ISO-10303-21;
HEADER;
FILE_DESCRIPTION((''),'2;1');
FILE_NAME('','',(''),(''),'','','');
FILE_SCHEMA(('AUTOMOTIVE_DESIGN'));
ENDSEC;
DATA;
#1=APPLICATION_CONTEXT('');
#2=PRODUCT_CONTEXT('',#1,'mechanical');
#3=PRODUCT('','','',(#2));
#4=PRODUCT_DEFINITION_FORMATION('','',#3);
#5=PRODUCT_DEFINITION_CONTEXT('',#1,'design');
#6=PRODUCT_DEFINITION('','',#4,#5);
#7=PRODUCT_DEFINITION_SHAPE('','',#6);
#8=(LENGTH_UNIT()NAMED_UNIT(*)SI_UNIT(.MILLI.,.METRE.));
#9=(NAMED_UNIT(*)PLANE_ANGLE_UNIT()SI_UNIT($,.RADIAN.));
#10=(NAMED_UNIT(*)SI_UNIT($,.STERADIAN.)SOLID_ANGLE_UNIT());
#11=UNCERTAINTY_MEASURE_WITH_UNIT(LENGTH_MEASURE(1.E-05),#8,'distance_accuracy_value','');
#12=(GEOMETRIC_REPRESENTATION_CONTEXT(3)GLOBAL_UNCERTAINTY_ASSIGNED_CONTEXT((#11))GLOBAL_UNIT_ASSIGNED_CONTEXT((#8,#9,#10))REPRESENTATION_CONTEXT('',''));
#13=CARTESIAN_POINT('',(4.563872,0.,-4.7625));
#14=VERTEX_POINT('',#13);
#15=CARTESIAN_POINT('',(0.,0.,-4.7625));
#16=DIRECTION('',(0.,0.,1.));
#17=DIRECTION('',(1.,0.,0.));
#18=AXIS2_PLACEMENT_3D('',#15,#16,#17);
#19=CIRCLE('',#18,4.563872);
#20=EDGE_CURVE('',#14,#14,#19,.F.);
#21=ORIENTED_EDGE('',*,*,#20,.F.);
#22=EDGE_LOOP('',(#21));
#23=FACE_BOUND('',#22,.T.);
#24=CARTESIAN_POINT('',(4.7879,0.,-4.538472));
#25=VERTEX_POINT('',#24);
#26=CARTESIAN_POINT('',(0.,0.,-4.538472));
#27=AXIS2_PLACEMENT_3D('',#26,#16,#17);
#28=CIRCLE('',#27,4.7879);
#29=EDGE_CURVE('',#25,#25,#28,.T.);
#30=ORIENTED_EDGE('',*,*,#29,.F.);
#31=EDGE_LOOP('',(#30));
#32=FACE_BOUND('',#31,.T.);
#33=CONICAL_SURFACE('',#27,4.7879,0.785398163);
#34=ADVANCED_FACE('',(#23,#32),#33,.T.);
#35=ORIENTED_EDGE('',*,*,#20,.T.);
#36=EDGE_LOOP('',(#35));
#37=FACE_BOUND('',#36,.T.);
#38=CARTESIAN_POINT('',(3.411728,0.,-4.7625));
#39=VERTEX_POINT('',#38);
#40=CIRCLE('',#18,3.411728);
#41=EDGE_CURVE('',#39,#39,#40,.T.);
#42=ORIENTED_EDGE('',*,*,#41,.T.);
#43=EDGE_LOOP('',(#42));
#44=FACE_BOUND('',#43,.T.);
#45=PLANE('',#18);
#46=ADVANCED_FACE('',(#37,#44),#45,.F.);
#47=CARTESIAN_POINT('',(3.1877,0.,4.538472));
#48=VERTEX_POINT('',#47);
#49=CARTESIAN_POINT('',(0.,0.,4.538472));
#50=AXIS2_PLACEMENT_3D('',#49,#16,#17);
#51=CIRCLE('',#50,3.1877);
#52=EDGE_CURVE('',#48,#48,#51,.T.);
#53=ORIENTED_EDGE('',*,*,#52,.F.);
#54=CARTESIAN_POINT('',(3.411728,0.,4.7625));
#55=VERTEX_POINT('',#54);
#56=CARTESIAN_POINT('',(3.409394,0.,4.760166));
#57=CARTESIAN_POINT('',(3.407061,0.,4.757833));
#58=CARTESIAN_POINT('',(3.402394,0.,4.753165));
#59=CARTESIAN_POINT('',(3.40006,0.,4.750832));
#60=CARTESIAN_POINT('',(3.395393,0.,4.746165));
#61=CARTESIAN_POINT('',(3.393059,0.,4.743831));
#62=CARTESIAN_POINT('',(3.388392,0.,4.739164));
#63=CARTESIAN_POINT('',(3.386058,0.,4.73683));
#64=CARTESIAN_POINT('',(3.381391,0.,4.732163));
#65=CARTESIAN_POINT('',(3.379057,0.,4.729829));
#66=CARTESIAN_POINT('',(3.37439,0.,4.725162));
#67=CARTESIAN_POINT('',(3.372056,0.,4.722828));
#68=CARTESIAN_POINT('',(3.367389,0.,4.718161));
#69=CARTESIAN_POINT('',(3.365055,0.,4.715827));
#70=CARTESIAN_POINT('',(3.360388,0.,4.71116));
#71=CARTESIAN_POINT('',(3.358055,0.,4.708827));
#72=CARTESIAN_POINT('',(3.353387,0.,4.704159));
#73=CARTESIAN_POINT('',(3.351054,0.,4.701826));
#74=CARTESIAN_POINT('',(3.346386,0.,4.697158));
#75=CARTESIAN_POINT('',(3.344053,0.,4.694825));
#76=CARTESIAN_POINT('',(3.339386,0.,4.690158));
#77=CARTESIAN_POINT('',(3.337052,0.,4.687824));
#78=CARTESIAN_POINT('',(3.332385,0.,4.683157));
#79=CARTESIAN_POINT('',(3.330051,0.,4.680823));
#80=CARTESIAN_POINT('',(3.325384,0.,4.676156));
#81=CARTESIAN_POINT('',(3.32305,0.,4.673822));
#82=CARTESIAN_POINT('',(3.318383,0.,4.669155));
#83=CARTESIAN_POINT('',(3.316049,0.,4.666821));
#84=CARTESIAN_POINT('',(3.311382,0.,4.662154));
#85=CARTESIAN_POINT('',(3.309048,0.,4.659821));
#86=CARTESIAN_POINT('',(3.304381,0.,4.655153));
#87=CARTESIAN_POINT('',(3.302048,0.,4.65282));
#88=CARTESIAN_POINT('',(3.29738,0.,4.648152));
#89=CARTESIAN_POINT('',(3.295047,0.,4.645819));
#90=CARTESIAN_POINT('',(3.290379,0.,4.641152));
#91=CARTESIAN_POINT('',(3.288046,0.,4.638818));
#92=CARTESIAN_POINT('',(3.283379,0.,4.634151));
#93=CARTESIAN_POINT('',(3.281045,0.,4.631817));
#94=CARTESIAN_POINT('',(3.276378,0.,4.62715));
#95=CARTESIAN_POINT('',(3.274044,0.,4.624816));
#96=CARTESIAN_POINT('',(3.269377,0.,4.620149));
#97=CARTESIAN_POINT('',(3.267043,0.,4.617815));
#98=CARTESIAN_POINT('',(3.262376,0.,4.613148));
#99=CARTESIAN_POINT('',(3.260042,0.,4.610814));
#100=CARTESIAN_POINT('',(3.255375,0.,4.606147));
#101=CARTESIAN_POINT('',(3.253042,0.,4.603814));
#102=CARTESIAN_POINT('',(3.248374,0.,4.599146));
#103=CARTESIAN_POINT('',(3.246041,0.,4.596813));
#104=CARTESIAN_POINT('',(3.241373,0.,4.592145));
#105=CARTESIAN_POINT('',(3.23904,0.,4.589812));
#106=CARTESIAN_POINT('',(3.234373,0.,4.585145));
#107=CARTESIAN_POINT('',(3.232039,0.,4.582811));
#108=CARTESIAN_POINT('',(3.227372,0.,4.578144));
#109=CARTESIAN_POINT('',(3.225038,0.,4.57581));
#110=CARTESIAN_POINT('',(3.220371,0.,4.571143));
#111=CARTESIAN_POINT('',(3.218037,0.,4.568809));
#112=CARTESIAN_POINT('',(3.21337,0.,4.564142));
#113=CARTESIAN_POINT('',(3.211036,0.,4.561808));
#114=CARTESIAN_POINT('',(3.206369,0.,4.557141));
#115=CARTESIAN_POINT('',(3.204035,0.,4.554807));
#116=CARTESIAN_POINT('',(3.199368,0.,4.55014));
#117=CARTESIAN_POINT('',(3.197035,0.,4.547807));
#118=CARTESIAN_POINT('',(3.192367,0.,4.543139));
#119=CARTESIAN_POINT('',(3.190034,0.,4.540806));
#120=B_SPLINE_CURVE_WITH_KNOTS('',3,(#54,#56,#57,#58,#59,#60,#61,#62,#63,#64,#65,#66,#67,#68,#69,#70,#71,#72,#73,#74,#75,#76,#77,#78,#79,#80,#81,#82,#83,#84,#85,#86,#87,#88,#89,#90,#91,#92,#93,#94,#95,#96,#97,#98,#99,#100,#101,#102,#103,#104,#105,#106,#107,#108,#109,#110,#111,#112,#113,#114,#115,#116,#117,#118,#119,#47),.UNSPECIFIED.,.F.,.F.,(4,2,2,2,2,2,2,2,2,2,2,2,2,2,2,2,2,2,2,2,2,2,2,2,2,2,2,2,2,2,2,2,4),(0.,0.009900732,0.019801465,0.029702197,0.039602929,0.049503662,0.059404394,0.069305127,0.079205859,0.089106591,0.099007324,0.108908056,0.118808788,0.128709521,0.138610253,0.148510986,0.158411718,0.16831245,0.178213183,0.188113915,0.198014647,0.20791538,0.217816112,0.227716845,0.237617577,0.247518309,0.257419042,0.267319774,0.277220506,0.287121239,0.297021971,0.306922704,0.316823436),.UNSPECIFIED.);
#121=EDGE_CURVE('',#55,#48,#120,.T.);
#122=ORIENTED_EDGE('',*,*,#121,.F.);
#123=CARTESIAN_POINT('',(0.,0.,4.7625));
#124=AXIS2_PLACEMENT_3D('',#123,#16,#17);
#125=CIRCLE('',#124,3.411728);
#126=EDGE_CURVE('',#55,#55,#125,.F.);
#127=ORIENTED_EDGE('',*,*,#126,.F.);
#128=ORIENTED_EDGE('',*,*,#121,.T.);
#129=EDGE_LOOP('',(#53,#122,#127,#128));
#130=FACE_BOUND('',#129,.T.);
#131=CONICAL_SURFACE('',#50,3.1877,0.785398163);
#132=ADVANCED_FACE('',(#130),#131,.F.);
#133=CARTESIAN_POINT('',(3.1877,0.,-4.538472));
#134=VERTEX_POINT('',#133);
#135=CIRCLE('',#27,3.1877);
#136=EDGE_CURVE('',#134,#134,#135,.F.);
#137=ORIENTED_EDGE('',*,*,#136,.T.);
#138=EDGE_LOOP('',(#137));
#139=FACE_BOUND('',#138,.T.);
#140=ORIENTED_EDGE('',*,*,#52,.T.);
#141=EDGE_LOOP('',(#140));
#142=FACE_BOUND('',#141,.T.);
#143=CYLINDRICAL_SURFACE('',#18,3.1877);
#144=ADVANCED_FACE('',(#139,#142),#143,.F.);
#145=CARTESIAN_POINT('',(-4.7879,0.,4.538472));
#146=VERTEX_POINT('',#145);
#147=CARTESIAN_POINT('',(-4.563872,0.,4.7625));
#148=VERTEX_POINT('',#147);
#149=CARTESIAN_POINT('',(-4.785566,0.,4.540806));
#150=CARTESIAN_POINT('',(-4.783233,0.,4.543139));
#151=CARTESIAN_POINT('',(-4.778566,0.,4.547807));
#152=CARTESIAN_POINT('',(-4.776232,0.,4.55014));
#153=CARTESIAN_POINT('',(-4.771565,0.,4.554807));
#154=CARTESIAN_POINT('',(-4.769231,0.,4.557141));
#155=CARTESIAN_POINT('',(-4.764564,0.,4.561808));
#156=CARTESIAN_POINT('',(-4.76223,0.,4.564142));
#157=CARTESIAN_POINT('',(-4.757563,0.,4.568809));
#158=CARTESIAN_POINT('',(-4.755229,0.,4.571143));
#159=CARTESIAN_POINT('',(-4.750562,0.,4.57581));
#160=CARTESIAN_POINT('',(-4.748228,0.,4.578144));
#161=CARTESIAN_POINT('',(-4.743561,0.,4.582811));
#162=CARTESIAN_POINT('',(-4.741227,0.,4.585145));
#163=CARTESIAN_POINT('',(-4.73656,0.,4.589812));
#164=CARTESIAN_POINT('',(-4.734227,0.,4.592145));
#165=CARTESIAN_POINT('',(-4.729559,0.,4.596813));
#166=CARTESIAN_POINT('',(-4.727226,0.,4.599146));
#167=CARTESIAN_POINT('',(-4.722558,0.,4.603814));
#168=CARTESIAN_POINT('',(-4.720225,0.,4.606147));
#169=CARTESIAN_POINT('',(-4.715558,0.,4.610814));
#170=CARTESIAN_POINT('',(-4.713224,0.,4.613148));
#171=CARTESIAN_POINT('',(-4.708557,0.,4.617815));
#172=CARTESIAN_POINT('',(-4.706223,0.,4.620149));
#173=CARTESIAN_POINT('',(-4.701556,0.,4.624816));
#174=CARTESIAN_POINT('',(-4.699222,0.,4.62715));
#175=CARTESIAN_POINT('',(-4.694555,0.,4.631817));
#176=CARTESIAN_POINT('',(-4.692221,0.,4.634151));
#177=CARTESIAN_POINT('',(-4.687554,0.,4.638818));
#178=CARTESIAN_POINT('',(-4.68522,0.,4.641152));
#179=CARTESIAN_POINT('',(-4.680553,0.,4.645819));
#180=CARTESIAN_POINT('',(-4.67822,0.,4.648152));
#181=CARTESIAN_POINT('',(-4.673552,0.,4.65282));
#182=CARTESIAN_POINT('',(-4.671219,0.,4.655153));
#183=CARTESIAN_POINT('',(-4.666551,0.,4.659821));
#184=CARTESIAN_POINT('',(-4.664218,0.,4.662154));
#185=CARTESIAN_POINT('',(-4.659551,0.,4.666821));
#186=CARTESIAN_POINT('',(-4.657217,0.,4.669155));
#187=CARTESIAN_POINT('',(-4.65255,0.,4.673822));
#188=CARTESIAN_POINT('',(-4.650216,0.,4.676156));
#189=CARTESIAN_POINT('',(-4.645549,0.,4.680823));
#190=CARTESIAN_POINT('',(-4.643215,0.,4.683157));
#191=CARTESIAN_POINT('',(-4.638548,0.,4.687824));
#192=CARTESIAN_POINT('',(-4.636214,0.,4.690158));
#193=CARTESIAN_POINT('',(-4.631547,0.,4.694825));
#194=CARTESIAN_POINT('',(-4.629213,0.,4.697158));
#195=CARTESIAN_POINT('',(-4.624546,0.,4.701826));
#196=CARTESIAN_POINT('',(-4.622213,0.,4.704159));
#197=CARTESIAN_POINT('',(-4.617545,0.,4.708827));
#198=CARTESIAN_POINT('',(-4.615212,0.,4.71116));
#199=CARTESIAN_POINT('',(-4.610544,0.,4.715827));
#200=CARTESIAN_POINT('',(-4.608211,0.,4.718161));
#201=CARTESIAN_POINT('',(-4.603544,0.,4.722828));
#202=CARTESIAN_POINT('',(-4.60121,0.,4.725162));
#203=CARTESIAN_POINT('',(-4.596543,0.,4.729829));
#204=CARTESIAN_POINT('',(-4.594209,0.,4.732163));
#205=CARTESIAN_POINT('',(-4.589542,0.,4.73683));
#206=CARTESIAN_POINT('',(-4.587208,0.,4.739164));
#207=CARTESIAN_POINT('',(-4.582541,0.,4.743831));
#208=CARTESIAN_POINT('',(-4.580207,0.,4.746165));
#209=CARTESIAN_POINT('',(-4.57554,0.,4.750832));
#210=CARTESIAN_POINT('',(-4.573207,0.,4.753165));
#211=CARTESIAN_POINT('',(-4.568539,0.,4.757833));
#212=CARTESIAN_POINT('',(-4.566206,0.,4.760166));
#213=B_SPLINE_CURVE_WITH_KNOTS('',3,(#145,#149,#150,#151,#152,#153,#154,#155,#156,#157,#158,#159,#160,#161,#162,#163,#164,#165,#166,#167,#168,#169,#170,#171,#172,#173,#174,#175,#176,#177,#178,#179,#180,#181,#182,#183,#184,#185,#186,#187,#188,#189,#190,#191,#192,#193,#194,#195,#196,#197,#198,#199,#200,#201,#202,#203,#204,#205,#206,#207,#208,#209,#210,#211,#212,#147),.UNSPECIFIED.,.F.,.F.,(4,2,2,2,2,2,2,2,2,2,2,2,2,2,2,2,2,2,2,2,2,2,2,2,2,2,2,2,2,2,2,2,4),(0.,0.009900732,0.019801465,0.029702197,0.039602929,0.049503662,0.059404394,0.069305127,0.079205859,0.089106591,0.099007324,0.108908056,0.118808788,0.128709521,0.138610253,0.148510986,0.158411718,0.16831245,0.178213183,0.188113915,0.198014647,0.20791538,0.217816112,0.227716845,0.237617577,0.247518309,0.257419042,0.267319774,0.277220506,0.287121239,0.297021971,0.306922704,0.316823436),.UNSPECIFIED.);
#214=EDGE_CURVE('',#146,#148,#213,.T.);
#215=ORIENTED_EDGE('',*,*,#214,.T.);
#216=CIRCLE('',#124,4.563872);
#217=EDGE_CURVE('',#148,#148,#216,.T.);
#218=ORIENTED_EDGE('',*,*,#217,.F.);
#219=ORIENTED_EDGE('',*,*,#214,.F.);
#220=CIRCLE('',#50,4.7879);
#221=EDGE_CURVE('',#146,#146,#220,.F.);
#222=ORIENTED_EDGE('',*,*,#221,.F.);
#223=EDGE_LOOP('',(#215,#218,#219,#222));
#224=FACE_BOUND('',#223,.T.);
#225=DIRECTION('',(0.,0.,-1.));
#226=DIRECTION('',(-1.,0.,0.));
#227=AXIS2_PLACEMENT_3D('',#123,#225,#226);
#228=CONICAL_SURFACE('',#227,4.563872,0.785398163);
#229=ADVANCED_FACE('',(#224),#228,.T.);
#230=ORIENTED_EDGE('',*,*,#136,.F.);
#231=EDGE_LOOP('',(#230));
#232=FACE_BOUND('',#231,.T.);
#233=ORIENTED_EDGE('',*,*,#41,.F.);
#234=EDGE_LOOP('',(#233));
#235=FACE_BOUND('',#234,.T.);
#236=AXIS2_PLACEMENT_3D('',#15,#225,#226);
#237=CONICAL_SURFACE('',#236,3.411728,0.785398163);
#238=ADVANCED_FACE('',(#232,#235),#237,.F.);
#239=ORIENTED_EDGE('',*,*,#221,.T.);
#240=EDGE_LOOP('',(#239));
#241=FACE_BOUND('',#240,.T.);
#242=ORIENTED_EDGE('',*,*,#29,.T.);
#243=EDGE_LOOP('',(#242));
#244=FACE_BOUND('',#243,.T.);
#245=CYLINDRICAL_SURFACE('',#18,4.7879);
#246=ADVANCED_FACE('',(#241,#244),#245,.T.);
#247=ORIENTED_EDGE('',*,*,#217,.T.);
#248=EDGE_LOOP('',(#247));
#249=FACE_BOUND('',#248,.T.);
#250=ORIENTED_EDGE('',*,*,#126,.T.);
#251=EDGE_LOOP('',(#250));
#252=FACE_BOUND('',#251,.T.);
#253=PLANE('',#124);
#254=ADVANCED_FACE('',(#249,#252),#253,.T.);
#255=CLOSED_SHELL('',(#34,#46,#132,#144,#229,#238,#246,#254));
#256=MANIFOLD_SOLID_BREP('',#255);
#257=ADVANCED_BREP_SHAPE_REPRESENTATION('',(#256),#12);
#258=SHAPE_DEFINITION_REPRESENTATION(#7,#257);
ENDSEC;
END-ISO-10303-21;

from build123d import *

# Parameters (mm, degrees)
BOSS_EXTRUDE1_DEPTH      = 4.7625
BOSS_EXTRUDE1_DEPTH_BACK = 4.7625
SKETCH14_R               = 4.7879
SKETCH14_R_2             = 3.1877
CHAMFER1_SIZE            = 0.224028


with BuildPart() as part:
    # Sketch14 → Boss-Extrude1 (new, two sides: drawn at the far end of the back side and taken through both)
    with BuildSketch(Plane.XY.offset(-BOSS_EXTRUDE1_DEPTH_BACK)):
        Circle(SKETCH14_R)
        Circle(SKETCH14_R_2, mode=Mode.SUBTRACT)
    extrude(amount=BOSS_EXTRUDE1_DEPTH + BOSS_EXTRUDE1_DEPTH_BACK)

    # Chamfer1
    chamfer1_edges = [part.edges().sort_by_distance(p)[0] for p in [
        (-4.7879, 0, -4.7625),
        (-3.1877, 0, -4.7625),
        (-4.7879, 0, 4.7625),
        (-3.1877, 0, 4.7625),
    ]]
    chamfer(chamfer1_edges, length=CHAMFER1_SIZE)


solid = part.part
